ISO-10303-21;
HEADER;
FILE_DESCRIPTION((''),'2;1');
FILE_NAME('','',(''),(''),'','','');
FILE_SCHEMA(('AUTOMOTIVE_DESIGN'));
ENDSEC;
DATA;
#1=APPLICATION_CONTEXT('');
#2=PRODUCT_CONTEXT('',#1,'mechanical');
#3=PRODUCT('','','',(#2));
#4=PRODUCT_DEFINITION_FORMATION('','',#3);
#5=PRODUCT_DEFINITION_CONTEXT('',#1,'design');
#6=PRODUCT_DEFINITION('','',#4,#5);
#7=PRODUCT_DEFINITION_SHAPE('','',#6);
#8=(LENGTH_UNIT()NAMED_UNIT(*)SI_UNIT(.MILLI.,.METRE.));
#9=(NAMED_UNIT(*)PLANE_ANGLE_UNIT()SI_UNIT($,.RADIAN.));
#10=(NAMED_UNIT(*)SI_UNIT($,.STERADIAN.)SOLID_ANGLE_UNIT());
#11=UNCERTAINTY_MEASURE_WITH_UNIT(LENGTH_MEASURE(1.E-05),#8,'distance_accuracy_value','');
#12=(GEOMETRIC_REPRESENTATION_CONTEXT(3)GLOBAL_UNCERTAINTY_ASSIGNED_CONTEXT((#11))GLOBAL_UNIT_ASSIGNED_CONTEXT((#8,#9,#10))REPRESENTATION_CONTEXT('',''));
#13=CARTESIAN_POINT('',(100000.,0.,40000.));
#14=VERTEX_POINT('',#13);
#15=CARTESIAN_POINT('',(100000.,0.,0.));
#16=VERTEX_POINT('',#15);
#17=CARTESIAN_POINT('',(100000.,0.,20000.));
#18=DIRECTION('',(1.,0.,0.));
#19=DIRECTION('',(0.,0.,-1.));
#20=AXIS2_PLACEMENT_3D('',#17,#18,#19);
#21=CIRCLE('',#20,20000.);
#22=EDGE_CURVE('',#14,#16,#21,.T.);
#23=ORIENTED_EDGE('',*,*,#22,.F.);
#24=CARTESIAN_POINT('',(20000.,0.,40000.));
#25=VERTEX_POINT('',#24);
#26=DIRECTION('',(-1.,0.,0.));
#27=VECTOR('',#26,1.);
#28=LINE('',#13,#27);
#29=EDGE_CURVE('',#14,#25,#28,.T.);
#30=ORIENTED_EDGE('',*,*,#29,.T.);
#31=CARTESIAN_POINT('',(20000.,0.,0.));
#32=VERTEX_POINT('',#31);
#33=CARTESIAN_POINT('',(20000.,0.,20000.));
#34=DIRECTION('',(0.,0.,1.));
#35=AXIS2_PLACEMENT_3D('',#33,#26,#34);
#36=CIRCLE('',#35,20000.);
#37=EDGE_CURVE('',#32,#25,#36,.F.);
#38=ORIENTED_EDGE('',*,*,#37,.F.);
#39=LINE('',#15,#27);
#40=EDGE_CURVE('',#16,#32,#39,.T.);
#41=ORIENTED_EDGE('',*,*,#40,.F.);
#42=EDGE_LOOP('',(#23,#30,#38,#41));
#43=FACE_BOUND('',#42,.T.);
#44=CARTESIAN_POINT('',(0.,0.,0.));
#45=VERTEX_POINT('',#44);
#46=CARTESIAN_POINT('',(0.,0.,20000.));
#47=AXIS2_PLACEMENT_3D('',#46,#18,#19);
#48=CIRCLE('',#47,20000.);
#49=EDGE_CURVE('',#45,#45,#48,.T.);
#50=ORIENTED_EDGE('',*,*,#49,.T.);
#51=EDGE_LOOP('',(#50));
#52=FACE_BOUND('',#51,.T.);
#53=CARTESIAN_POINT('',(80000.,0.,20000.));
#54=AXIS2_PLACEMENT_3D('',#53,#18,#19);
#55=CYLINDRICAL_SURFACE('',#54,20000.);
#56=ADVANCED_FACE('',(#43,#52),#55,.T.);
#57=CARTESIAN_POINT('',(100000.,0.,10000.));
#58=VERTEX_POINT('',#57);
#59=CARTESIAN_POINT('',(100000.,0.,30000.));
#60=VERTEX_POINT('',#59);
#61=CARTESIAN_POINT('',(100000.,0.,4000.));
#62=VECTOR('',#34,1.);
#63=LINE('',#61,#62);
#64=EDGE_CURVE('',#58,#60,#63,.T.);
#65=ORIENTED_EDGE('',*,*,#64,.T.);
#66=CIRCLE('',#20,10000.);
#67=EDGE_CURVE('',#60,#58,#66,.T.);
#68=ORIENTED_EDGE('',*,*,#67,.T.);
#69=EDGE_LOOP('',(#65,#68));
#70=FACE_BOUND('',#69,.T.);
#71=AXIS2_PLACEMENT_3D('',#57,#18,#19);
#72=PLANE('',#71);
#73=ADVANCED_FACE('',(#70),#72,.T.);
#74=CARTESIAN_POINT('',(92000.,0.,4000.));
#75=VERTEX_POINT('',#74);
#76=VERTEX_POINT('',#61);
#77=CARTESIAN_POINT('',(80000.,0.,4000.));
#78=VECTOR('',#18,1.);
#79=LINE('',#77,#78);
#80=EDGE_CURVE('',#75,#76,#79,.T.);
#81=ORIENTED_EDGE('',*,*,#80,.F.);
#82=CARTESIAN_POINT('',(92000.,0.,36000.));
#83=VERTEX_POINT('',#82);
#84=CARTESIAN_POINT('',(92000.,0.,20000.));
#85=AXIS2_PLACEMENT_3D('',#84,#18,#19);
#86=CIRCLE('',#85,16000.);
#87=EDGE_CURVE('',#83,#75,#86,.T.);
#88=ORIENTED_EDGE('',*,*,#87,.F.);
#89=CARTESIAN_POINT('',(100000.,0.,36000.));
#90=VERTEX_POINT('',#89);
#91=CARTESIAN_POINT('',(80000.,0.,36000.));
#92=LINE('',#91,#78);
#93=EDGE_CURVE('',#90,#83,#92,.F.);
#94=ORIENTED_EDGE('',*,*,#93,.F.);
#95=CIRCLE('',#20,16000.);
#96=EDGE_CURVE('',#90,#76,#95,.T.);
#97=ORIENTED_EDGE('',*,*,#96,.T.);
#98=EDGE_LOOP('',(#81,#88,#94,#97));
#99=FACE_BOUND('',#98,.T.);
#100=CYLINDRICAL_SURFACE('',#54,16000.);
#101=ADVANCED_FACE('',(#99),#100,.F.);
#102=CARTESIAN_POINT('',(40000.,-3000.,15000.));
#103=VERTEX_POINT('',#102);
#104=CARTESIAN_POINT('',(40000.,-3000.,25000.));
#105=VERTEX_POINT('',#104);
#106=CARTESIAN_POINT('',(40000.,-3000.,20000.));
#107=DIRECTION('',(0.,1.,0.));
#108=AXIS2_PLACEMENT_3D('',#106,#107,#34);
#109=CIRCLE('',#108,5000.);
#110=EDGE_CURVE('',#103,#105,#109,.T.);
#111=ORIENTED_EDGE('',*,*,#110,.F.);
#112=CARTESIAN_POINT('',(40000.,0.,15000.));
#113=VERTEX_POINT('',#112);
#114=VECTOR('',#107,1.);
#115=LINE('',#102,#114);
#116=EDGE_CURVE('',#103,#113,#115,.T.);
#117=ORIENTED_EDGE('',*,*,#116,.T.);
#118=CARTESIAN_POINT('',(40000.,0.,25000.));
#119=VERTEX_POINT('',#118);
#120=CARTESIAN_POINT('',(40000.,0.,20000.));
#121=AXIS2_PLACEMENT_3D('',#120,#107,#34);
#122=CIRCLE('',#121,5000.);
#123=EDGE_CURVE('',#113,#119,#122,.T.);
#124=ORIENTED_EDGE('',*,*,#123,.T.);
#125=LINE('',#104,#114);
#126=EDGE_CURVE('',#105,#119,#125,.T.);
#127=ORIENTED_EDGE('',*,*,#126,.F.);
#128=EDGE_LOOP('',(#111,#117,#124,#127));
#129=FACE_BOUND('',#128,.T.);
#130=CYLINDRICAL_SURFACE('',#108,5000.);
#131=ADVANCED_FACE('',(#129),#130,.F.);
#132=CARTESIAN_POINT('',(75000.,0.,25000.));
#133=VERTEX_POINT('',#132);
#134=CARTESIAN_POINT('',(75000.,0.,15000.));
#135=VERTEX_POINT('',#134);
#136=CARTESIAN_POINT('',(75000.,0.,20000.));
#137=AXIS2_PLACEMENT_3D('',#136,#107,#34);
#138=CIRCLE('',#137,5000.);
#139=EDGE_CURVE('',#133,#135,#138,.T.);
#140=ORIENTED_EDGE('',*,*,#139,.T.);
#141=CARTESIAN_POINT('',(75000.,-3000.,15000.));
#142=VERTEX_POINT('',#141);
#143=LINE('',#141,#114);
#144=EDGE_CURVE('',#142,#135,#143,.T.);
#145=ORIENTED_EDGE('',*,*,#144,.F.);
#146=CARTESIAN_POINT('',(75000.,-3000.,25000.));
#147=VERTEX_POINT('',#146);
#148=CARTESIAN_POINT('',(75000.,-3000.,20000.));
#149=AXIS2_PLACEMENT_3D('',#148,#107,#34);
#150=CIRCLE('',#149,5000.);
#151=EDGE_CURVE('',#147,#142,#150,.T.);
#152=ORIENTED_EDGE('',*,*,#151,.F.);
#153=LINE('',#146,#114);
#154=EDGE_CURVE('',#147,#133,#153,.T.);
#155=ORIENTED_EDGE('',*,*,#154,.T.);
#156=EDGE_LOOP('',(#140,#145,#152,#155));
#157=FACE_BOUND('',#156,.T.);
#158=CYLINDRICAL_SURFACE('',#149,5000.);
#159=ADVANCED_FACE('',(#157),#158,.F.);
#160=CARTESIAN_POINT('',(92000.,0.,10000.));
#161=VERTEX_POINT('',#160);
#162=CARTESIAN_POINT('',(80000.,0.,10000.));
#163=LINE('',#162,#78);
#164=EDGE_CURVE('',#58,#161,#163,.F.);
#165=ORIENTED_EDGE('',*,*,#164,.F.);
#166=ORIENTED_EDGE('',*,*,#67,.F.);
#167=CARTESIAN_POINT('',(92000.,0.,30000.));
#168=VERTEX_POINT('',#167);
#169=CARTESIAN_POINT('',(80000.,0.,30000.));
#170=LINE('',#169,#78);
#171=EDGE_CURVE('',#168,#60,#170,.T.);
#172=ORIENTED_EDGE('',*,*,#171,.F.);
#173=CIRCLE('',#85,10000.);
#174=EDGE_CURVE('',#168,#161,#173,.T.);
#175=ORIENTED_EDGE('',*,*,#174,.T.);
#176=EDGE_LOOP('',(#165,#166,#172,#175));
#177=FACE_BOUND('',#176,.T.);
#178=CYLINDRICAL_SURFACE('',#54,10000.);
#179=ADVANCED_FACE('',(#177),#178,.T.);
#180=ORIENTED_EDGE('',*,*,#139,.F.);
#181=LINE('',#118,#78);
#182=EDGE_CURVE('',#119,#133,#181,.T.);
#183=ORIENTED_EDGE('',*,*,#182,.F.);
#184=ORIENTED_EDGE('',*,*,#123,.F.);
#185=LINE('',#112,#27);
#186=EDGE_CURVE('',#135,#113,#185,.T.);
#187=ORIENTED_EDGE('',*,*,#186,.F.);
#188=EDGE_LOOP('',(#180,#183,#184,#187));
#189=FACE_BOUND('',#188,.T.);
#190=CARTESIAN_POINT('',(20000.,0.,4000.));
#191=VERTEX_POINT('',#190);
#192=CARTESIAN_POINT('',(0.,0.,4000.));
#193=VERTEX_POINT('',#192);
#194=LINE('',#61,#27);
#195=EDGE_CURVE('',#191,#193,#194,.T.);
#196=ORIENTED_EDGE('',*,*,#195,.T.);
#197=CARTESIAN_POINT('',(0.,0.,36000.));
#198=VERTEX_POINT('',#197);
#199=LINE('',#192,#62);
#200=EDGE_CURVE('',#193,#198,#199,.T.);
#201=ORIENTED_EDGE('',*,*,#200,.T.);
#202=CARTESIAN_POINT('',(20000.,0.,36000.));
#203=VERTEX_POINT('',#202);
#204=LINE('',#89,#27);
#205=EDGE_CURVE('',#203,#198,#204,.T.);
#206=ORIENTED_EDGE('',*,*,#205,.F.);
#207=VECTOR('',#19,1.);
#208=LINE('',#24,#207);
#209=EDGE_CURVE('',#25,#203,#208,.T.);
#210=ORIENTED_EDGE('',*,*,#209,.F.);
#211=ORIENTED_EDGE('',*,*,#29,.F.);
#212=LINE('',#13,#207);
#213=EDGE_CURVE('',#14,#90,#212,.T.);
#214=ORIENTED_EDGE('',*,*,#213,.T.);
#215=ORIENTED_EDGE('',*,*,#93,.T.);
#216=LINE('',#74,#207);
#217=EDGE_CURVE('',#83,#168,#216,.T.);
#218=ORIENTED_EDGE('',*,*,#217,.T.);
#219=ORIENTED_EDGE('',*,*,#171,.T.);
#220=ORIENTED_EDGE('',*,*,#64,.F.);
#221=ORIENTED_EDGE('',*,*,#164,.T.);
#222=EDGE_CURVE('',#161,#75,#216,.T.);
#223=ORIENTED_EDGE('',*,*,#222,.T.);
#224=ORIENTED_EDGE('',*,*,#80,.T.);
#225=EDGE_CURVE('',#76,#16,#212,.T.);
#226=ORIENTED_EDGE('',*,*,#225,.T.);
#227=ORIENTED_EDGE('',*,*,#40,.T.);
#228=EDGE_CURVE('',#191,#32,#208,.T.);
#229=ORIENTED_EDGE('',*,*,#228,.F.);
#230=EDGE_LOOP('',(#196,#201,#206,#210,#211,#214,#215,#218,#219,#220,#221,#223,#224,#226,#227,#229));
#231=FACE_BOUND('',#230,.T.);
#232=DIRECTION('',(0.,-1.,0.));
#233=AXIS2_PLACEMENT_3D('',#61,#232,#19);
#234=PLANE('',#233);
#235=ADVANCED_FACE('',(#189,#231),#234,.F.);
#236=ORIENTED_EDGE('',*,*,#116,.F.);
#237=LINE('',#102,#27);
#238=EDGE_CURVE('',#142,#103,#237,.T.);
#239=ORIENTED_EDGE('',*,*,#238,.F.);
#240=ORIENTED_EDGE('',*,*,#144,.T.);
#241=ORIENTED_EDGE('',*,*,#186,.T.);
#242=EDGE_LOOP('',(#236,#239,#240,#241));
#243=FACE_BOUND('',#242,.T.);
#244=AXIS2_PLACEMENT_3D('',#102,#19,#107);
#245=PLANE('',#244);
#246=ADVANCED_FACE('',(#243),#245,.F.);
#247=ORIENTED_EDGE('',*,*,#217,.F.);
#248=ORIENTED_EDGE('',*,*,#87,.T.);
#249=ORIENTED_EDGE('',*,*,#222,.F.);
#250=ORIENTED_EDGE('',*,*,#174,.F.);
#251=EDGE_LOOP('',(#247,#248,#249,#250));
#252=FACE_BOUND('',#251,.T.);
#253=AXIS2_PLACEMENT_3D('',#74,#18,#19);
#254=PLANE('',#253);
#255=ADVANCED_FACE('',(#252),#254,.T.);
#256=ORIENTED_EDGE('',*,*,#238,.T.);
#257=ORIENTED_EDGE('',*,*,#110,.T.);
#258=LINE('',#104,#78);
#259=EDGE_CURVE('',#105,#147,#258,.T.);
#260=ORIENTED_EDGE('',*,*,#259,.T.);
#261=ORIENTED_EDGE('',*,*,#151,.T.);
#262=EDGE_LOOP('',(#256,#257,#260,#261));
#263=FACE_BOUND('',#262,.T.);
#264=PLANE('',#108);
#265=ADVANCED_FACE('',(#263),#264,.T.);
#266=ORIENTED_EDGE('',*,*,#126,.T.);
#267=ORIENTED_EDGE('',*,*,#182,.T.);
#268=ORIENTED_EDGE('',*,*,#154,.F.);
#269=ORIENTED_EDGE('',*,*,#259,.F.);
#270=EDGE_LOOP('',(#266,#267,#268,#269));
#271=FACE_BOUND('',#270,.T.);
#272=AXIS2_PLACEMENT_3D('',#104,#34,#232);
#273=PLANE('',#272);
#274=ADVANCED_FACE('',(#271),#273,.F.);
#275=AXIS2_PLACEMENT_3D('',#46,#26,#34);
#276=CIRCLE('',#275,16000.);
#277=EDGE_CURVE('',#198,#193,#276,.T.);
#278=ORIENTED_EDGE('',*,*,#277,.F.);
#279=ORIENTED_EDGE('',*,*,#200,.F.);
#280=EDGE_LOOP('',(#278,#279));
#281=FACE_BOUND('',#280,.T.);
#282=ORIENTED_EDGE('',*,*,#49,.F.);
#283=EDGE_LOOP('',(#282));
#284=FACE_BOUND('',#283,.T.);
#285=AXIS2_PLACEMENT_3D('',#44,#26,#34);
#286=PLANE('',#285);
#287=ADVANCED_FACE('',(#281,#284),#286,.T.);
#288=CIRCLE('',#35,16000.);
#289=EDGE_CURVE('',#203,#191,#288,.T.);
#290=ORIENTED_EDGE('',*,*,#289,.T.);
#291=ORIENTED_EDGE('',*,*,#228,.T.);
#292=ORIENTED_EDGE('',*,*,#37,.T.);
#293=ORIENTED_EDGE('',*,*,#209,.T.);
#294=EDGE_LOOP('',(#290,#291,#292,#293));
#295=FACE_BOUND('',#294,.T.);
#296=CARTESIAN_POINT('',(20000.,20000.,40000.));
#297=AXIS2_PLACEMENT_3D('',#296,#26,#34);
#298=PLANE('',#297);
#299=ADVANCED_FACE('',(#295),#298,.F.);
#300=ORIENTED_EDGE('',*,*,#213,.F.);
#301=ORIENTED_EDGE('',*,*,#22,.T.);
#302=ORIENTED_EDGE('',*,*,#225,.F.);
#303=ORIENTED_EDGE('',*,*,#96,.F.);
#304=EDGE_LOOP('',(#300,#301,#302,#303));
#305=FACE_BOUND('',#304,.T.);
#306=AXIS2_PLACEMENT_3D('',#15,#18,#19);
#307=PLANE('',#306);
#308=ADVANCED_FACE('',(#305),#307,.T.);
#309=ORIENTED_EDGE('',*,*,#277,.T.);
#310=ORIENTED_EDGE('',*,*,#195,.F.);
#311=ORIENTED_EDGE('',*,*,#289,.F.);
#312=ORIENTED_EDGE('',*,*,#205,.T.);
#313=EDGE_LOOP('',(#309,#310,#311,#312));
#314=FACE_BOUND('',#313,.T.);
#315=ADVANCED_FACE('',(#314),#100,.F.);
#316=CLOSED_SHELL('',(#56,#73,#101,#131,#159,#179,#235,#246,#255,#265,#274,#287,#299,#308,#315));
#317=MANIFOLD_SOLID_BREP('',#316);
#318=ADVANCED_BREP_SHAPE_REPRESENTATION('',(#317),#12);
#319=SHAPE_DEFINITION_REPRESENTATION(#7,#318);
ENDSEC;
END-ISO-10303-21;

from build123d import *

# Parameters (mm, degrees)
CUT_EXTRUDE1_DEPTH      = 3000
CUT_EXTRUDE3_DEPTH      = 100000
SKETCH6_W               = 80000
SKETCH6_H               = 20000
CUT_EXTRUDE4_DEPTH      = 25001
CUT_EXTRUDE4_DEPTH_BACK = 15001


with BuildPart() as part:
    # Sketch1 → Revolve4 (revolve)
    with BuildSketch(Plane(origin=(0, 0, 0), x_dir=(1, 0, 0), z_dir=(0, 1, 0))):
        Polygon((0, 0), (100000, 0), (100000, -4000), (92000, -4000), (92000, -10000), (100000, -10000), (100000, -20000), (80000, -20000), (0, -20000), align=None)
    revolve(axis=Axis((80000, 0, 20000), (1, 0, 0)))

    # Sketch3 → Cut-Extrude1 (cut)
    with BuildSketch(Plane(origin=(0, 0, 0), x_dir=(1, 0, 0), z_dir=(0, 1, 0))):
        with BuildLine():
            Line((40000, -15000), (75000, -15000))
            ThreePointArc((75000, -15000), (80000, -20000), (75000, -25000))
            Line((75000, -25000), (40000, -25000))
            ThreePointArc((40000, -25000), (35000, -20000), (40000, -15000))
        make_face()
    extrude(amount=-CUT_EXTRUDE1_DEPTH, mode=Mode.SUBTRACT)

    # Sketch5 → Cut-Extrude3 (cut)
    with BuildSketch(Plane.ZY):
        with BuildLine():
            Line((4000, 0), (36000, 0))
            ThreePointArc((36000, 0), (20000, 16000), (4000, 0))
        make_face()
    extrude(amount=-CUT_EXTRUDE3_DEPTH, mode=Mode.SUBTRACT)

    # Sketch6 → Cut-Extrude4 (cut, two sides)
    with BuildSketch(Plane(origin=(0, 0, 25000), x_dir=(-1, 0, 0), z_dir=(0, 0, -1))) as cut_extrude4_sk:
        with Locations((-60000, 10000)):
            Rectangle(SKETCH6_W, SKETCH6_H)
    extrude(amount=CUT_EXTRUDE4_DEPTH, mode=Mode.SUBTRACT)
    extrude(cut_extrude4_sk.sketch, amount=-CUT_EXTRUDE4_DEPTH_BACK, mode=Mode.SUBTRACT)


solid = part.part
